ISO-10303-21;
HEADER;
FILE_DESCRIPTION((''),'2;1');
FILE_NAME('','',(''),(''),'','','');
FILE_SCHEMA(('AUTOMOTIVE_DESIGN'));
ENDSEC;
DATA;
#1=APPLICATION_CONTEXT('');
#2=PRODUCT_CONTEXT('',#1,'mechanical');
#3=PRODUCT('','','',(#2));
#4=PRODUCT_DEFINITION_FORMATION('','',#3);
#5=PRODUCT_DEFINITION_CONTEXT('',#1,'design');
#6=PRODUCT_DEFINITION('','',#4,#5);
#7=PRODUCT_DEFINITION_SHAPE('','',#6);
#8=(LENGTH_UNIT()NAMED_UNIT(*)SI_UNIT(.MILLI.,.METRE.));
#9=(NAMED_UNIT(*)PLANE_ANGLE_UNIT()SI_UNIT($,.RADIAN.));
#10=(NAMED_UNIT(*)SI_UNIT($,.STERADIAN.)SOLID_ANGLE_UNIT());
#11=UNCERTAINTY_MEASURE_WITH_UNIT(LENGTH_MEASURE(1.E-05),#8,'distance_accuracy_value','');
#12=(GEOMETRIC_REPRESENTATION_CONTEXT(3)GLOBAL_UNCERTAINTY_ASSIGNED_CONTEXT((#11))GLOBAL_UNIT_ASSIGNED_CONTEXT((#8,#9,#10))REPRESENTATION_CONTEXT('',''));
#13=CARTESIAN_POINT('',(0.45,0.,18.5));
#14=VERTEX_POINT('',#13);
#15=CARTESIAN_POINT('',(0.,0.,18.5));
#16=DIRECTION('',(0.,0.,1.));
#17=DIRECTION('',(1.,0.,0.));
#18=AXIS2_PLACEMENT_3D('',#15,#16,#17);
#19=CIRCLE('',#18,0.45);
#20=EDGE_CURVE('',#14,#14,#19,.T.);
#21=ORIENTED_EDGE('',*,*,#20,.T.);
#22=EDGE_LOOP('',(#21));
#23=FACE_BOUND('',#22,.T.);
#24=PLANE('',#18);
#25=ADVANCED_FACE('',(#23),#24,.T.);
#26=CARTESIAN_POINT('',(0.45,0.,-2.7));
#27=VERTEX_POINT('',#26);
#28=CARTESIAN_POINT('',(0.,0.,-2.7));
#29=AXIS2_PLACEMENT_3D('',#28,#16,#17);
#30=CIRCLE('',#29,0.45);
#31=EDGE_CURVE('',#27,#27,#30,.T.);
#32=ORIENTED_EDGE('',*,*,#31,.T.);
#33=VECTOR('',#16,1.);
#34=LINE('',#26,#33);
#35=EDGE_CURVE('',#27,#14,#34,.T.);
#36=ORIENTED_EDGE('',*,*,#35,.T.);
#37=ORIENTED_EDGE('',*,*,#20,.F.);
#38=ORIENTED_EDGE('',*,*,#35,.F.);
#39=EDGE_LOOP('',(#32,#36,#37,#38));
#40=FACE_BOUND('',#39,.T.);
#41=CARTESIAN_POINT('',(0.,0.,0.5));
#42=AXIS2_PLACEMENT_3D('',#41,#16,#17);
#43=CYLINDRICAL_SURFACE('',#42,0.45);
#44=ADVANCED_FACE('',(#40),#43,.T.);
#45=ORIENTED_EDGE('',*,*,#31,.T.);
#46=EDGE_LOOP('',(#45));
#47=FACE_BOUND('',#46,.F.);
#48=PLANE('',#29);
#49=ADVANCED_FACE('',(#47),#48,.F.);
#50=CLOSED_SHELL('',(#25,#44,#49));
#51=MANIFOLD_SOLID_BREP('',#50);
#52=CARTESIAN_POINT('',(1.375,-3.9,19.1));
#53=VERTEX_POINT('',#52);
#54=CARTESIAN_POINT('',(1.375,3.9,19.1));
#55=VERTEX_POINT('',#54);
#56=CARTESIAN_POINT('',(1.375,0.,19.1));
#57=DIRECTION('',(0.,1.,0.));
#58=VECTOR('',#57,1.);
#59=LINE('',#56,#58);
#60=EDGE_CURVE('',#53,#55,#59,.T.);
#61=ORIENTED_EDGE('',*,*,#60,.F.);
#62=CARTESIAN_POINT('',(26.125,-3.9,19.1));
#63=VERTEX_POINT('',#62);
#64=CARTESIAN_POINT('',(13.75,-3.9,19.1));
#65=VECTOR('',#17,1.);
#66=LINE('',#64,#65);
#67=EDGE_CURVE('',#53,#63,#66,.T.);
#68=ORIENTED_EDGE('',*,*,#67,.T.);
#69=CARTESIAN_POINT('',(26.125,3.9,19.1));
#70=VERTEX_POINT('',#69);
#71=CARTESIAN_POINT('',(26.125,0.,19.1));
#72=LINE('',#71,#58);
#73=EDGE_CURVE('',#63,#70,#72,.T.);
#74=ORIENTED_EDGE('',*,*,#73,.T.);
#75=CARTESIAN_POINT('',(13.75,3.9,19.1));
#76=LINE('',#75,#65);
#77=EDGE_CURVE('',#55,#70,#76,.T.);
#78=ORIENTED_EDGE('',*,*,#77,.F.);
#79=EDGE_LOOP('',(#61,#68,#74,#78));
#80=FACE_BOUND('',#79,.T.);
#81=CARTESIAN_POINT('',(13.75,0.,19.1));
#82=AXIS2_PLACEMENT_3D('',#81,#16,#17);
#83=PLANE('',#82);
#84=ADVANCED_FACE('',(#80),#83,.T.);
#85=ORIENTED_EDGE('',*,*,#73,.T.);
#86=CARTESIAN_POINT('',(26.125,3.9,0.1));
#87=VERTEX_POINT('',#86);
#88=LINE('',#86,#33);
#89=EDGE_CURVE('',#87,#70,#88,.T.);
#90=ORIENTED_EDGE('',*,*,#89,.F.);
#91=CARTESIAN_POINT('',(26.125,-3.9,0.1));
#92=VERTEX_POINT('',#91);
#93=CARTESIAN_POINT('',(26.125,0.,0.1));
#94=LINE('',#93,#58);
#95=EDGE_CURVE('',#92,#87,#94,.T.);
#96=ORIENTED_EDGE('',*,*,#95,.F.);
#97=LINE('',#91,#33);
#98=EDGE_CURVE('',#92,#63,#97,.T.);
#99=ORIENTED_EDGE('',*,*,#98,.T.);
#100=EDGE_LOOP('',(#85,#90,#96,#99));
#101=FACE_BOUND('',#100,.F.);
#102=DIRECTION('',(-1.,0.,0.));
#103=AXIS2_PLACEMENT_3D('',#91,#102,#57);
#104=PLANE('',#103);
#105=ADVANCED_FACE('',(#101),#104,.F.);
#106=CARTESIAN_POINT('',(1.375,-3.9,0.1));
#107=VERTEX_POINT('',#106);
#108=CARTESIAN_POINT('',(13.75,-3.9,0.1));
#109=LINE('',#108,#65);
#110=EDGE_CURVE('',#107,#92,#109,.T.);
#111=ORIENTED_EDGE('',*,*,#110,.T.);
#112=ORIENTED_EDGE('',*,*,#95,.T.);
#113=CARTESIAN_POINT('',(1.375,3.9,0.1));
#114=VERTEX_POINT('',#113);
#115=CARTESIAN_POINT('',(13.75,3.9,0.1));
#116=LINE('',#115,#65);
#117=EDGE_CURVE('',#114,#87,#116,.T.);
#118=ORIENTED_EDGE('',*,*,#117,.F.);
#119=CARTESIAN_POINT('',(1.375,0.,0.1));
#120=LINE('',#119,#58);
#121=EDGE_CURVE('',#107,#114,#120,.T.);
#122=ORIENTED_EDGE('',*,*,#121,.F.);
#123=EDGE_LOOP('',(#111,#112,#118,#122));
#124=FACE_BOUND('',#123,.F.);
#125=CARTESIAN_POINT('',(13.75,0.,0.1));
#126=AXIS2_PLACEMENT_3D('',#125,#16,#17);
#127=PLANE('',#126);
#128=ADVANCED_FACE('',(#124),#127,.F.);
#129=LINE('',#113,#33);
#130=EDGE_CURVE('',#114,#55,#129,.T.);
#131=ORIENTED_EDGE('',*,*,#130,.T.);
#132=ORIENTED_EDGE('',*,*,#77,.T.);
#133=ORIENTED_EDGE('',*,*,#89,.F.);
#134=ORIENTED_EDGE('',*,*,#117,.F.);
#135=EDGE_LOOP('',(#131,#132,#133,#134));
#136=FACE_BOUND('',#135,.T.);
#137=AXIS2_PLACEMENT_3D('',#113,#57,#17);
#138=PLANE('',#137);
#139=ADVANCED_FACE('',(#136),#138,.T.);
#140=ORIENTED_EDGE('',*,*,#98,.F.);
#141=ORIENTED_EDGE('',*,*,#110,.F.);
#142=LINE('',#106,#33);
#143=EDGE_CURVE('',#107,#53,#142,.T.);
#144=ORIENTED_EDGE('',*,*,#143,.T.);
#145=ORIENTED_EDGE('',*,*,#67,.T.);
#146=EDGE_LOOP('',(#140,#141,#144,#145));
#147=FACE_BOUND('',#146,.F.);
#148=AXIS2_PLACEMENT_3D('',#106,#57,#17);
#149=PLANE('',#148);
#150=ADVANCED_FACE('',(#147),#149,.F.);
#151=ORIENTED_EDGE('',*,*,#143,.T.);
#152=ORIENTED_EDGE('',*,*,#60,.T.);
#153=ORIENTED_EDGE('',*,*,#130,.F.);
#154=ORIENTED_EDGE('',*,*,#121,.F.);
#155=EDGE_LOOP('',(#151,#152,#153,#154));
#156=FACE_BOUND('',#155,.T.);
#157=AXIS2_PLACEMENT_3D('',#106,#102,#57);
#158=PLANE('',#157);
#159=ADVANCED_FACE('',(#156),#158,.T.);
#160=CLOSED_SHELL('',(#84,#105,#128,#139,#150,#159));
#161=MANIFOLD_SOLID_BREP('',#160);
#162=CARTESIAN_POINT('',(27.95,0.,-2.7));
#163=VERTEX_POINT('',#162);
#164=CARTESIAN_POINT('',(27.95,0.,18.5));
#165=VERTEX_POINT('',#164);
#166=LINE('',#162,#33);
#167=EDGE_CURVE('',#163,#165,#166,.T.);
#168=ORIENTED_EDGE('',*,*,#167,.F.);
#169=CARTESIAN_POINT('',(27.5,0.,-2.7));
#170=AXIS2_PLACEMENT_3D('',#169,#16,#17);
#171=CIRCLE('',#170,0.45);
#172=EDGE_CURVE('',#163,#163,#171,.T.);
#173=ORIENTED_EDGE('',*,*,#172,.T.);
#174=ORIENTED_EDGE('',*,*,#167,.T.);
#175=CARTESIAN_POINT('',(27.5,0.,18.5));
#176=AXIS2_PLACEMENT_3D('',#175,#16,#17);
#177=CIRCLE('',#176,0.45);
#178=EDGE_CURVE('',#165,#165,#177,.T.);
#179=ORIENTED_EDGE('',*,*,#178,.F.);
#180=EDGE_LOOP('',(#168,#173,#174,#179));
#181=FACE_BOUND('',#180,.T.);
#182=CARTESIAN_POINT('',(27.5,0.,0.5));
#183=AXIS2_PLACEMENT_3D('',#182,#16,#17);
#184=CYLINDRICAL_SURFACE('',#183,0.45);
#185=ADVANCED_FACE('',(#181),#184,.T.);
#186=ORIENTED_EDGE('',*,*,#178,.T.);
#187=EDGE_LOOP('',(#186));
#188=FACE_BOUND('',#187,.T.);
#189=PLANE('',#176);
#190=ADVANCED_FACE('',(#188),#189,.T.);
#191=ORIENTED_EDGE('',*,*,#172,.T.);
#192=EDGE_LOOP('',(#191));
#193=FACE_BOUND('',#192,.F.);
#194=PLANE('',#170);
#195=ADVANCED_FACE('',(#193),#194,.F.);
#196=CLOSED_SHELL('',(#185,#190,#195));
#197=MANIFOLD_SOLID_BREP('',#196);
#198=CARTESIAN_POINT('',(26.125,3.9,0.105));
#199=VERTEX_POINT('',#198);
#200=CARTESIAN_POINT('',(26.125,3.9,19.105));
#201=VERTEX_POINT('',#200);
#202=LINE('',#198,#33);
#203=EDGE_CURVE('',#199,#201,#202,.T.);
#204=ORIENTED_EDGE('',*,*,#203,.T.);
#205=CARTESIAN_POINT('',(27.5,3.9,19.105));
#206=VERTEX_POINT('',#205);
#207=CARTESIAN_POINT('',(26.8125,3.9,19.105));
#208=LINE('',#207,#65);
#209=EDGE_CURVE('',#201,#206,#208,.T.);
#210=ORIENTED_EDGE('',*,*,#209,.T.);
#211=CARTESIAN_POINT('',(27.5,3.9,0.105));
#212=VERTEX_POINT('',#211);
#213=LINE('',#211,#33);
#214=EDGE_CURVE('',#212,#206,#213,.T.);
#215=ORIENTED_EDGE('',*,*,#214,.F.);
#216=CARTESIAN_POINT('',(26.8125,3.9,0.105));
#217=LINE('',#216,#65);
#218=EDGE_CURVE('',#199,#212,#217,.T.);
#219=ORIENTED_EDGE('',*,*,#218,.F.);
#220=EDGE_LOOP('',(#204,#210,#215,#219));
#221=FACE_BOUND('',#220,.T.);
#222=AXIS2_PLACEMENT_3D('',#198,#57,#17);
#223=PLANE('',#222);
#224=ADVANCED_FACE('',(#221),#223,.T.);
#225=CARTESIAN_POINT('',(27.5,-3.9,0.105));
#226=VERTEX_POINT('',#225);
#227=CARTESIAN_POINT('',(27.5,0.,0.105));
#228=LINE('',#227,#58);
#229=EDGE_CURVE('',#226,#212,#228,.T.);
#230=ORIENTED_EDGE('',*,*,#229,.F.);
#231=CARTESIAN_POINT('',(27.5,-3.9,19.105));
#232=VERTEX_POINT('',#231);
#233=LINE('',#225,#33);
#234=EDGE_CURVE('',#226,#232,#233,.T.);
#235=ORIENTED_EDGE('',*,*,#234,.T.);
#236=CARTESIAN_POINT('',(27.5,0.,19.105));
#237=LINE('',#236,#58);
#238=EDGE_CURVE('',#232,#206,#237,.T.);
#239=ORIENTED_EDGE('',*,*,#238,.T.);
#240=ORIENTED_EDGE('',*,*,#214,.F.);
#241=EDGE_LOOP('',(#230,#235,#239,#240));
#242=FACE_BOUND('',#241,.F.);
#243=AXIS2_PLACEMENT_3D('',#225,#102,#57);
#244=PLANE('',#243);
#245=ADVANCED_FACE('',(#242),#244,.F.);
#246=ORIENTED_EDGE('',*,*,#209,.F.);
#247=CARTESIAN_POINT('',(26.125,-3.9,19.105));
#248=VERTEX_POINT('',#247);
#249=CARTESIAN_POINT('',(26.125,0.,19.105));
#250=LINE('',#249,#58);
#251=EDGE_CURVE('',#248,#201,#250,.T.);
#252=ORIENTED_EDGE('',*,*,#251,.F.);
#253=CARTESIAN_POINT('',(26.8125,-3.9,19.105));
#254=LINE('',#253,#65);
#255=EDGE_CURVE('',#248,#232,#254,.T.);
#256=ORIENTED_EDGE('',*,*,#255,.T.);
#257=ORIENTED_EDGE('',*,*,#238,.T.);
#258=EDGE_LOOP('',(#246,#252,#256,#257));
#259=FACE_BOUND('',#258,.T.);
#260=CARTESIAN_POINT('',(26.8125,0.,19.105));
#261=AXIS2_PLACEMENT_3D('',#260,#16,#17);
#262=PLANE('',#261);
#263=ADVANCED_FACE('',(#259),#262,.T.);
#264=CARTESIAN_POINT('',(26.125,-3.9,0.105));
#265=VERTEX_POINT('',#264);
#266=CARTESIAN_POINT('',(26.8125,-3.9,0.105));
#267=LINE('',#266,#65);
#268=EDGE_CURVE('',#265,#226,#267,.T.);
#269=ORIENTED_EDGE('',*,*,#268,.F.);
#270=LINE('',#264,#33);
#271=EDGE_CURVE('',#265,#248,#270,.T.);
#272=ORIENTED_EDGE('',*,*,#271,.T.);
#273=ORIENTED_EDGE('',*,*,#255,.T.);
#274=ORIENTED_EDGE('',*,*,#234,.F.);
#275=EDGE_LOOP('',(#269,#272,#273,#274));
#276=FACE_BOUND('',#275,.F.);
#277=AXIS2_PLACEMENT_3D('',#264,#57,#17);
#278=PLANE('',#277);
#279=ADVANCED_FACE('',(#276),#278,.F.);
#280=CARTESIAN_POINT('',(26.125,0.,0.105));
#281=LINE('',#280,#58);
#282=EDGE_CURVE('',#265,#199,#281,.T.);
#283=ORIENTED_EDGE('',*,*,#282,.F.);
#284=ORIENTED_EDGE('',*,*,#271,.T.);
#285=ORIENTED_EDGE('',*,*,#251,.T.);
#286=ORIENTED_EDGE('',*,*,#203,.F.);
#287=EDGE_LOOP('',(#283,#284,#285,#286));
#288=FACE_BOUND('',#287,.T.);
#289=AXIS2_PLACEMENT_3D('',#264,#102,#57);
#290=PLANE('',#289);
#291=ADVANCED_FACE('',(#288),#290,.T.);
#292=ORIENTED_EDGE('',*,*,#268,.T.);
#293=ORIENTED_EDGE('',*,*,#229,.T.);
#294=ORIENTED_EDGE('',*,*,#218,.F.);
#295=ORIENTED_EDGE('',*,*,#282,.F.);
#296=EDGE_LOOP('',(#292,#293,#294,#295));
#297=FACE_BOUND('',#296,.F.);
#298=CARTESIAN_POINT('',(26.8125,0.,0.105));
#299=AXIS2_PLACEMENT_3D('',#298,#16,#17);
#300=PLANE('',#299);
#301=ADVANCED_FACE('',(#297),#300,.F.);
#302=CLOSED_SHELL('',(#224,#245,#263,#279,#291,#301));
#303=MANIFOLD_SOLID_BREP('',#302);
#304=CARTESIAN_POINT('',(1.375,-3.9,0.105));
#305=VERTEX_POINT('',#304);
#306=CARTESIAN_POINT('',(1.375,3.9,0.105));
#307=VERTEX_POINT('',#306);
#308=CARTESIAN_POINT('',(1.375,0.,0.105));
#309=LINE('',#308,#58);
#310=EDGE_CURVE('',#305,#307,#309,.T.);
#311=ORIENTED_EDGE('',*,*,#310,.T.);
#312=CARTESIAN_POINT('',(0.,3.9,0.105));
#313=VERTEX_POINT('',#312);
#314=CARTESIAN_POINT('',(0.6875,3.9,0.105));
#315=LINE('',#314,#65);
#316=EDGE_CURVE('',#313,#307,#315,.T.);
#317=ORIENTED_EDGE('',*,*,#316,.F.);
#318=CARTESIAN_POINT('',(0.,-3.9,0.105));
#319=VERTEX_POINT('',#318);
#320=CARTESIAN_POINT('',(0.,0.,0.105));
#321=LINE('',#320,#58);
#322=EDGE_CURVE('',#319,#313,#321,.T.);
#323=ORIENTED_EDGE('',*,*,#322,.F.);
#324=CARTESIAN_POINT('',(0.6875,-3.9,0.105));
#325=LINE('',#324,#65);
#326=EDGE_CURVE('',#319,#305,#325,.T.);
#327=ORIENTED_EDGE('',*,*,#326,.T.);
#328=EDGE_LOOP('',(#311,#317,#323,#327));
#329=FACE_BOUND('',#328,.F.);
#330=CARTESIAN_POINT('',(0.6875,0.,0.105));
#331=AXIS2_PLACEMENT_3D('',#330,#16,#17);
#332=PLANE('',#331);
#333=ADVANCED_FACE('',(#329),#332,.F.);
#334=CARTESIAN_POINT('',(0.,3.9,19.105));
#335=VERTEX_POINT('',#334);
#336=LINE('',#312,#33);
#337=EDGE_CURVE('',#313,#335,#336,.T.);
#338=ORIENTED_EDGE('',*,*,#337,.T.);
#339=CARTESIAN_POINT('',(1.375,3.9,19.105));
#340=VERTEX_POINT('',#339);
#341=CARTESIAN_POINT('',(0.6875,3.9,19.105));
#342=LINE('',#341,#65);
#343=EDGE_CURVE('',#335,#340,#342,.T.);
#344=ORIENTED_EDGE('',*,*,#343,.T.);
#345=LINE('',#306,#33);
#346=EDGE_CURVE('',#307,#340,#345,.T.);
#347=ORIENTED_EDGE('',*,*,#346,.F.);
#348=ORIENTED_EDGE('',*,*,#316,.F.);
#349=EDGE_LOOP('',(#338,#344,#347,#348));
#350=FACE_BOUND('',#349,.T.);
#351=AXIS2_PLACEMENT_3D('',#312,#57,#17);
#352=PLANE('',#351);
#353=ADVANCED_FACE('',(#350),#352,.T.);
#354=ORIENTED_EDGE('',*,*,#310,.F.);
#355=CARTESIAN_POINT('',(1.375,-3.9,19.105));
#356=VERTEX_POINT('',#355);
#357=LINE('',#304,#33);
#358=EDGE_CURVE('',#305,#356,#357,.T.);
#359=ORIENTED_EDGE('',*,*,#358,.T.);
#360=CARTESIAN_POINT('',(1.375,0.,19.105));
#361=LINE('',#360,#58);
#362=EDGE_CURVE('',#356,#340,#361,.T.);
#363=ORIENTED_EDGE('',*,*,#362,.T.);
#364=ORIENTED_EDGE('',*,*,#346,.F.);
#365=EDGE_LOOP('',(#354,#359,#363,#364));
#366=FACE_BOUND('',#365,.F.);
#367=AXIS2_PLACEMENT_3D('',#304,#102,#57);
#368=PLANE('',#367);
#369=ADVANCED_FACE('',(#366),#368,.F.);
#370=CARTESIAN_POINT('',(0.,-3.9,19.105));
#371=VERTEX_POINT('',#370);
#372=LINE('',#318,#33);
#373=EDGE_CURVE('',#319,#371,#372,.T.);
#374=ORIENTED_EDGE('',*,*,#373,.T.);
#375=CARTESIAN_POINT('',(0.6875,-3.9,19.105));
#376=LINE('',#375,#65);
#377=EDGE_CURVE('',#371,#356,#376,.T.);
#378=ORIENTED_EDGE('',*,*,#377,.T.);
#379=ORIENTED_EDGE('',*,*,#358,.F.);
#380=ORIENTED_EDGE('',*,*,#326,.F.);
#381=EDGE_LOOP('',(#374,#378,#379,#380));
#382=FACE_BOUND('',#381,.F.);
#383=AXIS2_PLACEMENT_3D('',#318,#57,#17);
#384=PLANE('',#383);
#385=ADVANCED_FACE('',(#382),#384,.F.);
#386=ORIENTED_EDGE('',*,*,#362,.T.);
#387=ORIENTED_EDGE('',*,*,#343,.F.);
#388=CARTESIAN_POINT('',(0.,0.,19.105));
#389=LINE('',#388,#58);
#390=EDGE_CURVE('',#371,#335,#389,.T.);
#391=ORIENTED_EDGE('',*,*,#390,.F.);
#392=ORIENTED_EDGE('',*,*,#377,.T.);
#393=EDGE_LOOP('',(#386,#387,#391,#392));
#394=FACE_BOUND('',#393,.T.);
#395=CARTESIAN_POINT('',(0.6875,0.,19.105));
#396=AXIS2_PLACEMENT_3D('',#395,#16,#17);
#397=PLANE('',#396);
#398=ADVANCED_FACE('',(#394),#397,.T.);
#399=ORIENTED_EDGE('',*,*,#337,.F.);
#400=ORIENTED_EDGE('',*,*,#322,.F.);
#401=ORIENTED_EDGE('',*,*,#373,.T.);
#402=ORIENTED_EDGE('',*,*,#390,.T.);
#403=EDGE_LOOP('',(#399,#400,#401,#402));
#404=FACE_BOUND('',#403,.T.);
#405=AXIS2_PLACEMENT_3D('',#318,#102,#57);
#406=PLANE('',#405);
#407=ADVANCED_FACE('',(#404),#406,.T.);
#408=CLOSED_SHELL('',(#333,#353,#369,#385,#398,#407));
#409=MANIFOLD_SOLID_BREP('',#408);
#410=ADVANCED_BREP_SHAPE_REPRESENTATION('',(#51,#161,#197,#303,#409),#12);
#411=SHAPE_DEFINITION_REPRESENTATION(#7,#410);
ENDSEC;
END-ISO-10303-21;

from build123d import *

# Parameters (mm, degrees)
SKETCH_W          = 24.75
SKETCH_H          = 7.8
PAD_DEPTH         = 19
SKETCH001_R       = 0.45
PAD001_DEPTH      = 18
PAD001_DEPTH_BACK = 3.2
SKETCH002_W       = 1.375
SKETCH002_H       = 7.8
PAD002_DEPTH      = 19


with BuildPart() as pad:
    # Sketch → Pad (new body)
    with BuildSketch(Plane.XY.offset(0.1)):
        with Locations((13.75, 0)):
            Rectangle(SKETCH_W, SKETCH_H)
    extrude(amount=PAD_DEPTH)


with BuildPart() as pad001:
    # Sketch001 → Pad001 (new body, two sides)
    with BuildSketch(Plane.XY.offset(0.5)) as pad001_sk:
        Circle(SKETCH001_R)
        with Locations((27.5, 0)):
            Circle(SKETCH001_R)
    extrude(amount=PAD001_DEPTH)
    extrude(pad001_sk.sketch, amount=-PAD001_DEPTH_BACK)


with BuildPart() as pad002:
    # Sketch002 → Pad002 (new body)
    with BuildSketch(Plane.XY.offset(0.105)):
        with Locations((0.6875, 0)):
            Rectangle(SKETCH002_W, SKETCH002_H)
        with Locations((26.8125, 0)):
            Rectangle(SKETCH002_W, SKETCH002_H)
    extrude(amount=PAD002_DEPTH)


solid = Compound([pad.part, pad001.part, pad002.part])
